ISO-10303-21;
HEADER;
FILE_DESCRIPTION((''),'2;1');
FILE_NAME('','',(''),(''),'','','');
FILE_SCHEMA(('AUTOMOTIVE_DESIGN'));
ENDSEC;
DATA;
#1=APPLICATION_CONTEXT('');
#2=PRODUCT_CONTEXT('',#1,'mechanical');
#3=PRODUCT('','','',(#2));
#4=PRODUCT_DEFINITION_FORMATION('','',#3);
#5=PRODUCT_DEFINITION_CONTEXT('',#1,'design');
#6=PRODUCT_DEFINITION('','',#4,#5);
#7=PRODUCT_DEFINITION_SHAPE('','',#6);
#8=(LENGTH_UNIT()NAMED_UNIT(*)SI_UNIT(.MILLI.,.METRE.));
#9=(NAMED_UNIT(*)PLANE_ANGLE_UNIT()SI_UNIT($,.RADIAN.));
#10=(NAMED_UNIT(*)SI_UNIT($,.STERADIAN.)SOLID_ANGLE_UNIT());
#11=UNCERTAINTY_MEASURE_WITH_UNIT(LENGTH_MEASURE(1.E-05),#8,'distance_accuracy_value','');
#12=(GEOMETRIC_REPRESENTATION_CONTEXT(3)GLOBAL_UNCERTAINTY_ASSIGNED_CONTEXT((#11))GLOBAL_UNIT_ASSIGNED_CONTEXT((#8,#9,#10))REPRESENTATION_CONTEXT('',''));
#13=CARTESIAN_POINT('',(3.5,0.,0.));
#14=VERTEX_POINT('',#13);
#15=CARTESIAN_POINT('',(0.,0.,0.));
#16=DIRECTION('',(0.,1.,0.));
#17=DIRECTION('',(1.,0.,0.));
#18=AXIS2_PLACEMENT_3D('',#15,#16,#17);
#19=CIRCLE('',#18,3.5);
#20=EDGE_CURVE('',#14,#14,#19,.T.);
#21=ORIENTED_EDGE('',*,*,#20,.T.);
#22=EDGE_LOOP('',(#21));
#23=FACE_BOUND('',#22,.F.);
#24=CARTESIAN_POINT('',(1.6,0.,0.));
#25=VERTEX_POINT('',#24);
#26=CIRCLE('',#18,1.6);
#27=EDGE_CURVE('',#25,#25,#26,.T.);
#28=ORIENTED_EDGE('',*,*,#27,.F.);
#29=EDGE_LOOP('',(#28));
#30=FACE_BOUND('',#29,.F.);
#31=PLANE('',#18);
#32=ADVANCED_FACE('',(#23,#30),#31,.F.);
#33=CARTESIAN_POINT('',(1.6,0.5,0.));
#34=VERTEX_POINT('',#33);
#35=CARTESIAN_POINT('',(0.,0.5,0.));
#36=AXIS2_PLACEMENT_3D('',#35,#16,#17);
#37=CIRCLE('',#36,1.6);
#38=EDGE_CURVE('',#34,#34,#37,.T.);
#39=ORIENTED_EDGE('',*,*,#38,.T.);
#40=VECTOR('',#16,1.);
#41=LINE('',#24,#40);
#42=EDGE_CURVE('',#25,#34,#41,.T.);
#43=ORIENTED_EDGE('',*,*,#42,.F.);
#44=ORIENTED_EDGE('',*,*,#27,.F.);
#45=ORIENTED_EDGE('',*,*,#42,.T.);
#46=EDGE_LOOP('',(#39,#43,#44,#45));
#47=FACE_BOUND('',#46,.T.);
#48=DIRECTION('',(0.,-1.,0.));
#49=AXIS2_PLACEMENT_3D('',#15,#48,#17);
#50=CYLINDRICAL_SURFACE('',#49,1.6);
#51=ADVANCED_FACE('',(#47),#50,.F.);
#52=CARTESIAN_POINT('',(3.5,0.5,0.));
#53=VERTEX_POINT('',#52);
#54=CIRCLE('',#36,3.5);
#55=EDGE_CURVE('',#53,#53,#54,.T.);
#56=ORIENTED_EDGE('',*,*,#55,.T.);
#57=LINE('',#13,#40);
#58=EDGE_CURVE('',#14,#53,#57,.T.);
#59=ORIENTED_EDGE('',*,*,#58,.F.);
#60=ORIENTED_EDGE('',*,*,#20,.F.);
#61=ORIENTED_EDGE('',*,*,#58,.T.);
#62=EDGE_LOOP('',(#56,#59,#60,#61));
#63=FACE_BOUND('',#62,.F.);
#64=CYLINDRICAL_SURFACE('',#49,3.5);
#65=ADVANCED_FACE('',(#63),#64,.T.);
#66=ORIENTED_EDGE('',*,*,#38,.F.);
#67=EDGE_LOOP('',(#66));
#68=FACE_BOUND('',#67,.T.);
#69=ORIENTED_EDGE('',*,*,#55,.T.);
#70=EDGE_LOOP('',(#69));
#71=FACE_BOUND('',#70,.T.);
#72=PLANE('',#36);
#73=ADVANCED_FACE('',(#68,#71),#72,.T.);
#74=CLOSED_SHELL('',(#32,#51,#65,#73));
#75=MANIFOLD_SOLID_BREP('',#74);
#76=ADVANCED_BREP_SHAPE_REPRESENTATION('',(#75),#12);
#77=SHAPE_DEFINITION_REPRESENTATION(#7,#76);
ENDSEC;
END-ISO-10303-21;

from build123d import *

# Parameters (mm, degrees)
SZKIC2_R                    = 3.5
SZKIC2_R_2                  = 1.6
DODANIE_WYCI_GNI_CIE1_DEPTH = 0.5


with BuildPart() as part:
    # Szkic2 → Dodanie-wyciągnięcie1 (new body)
    with BuildSketch(Plane(origin=(0, 0, 0), x_dir=(1, 0, 0), z_dir=(0, 1, 0))):
        Circle(SZKIC2_R)
        Circle(SZKIC2_R_2, mode=Mode.SUBTRACT)
    extrude(amount=DODANIE_WYCI_GNI_CIE1_DEPTH)


solid = part.part
